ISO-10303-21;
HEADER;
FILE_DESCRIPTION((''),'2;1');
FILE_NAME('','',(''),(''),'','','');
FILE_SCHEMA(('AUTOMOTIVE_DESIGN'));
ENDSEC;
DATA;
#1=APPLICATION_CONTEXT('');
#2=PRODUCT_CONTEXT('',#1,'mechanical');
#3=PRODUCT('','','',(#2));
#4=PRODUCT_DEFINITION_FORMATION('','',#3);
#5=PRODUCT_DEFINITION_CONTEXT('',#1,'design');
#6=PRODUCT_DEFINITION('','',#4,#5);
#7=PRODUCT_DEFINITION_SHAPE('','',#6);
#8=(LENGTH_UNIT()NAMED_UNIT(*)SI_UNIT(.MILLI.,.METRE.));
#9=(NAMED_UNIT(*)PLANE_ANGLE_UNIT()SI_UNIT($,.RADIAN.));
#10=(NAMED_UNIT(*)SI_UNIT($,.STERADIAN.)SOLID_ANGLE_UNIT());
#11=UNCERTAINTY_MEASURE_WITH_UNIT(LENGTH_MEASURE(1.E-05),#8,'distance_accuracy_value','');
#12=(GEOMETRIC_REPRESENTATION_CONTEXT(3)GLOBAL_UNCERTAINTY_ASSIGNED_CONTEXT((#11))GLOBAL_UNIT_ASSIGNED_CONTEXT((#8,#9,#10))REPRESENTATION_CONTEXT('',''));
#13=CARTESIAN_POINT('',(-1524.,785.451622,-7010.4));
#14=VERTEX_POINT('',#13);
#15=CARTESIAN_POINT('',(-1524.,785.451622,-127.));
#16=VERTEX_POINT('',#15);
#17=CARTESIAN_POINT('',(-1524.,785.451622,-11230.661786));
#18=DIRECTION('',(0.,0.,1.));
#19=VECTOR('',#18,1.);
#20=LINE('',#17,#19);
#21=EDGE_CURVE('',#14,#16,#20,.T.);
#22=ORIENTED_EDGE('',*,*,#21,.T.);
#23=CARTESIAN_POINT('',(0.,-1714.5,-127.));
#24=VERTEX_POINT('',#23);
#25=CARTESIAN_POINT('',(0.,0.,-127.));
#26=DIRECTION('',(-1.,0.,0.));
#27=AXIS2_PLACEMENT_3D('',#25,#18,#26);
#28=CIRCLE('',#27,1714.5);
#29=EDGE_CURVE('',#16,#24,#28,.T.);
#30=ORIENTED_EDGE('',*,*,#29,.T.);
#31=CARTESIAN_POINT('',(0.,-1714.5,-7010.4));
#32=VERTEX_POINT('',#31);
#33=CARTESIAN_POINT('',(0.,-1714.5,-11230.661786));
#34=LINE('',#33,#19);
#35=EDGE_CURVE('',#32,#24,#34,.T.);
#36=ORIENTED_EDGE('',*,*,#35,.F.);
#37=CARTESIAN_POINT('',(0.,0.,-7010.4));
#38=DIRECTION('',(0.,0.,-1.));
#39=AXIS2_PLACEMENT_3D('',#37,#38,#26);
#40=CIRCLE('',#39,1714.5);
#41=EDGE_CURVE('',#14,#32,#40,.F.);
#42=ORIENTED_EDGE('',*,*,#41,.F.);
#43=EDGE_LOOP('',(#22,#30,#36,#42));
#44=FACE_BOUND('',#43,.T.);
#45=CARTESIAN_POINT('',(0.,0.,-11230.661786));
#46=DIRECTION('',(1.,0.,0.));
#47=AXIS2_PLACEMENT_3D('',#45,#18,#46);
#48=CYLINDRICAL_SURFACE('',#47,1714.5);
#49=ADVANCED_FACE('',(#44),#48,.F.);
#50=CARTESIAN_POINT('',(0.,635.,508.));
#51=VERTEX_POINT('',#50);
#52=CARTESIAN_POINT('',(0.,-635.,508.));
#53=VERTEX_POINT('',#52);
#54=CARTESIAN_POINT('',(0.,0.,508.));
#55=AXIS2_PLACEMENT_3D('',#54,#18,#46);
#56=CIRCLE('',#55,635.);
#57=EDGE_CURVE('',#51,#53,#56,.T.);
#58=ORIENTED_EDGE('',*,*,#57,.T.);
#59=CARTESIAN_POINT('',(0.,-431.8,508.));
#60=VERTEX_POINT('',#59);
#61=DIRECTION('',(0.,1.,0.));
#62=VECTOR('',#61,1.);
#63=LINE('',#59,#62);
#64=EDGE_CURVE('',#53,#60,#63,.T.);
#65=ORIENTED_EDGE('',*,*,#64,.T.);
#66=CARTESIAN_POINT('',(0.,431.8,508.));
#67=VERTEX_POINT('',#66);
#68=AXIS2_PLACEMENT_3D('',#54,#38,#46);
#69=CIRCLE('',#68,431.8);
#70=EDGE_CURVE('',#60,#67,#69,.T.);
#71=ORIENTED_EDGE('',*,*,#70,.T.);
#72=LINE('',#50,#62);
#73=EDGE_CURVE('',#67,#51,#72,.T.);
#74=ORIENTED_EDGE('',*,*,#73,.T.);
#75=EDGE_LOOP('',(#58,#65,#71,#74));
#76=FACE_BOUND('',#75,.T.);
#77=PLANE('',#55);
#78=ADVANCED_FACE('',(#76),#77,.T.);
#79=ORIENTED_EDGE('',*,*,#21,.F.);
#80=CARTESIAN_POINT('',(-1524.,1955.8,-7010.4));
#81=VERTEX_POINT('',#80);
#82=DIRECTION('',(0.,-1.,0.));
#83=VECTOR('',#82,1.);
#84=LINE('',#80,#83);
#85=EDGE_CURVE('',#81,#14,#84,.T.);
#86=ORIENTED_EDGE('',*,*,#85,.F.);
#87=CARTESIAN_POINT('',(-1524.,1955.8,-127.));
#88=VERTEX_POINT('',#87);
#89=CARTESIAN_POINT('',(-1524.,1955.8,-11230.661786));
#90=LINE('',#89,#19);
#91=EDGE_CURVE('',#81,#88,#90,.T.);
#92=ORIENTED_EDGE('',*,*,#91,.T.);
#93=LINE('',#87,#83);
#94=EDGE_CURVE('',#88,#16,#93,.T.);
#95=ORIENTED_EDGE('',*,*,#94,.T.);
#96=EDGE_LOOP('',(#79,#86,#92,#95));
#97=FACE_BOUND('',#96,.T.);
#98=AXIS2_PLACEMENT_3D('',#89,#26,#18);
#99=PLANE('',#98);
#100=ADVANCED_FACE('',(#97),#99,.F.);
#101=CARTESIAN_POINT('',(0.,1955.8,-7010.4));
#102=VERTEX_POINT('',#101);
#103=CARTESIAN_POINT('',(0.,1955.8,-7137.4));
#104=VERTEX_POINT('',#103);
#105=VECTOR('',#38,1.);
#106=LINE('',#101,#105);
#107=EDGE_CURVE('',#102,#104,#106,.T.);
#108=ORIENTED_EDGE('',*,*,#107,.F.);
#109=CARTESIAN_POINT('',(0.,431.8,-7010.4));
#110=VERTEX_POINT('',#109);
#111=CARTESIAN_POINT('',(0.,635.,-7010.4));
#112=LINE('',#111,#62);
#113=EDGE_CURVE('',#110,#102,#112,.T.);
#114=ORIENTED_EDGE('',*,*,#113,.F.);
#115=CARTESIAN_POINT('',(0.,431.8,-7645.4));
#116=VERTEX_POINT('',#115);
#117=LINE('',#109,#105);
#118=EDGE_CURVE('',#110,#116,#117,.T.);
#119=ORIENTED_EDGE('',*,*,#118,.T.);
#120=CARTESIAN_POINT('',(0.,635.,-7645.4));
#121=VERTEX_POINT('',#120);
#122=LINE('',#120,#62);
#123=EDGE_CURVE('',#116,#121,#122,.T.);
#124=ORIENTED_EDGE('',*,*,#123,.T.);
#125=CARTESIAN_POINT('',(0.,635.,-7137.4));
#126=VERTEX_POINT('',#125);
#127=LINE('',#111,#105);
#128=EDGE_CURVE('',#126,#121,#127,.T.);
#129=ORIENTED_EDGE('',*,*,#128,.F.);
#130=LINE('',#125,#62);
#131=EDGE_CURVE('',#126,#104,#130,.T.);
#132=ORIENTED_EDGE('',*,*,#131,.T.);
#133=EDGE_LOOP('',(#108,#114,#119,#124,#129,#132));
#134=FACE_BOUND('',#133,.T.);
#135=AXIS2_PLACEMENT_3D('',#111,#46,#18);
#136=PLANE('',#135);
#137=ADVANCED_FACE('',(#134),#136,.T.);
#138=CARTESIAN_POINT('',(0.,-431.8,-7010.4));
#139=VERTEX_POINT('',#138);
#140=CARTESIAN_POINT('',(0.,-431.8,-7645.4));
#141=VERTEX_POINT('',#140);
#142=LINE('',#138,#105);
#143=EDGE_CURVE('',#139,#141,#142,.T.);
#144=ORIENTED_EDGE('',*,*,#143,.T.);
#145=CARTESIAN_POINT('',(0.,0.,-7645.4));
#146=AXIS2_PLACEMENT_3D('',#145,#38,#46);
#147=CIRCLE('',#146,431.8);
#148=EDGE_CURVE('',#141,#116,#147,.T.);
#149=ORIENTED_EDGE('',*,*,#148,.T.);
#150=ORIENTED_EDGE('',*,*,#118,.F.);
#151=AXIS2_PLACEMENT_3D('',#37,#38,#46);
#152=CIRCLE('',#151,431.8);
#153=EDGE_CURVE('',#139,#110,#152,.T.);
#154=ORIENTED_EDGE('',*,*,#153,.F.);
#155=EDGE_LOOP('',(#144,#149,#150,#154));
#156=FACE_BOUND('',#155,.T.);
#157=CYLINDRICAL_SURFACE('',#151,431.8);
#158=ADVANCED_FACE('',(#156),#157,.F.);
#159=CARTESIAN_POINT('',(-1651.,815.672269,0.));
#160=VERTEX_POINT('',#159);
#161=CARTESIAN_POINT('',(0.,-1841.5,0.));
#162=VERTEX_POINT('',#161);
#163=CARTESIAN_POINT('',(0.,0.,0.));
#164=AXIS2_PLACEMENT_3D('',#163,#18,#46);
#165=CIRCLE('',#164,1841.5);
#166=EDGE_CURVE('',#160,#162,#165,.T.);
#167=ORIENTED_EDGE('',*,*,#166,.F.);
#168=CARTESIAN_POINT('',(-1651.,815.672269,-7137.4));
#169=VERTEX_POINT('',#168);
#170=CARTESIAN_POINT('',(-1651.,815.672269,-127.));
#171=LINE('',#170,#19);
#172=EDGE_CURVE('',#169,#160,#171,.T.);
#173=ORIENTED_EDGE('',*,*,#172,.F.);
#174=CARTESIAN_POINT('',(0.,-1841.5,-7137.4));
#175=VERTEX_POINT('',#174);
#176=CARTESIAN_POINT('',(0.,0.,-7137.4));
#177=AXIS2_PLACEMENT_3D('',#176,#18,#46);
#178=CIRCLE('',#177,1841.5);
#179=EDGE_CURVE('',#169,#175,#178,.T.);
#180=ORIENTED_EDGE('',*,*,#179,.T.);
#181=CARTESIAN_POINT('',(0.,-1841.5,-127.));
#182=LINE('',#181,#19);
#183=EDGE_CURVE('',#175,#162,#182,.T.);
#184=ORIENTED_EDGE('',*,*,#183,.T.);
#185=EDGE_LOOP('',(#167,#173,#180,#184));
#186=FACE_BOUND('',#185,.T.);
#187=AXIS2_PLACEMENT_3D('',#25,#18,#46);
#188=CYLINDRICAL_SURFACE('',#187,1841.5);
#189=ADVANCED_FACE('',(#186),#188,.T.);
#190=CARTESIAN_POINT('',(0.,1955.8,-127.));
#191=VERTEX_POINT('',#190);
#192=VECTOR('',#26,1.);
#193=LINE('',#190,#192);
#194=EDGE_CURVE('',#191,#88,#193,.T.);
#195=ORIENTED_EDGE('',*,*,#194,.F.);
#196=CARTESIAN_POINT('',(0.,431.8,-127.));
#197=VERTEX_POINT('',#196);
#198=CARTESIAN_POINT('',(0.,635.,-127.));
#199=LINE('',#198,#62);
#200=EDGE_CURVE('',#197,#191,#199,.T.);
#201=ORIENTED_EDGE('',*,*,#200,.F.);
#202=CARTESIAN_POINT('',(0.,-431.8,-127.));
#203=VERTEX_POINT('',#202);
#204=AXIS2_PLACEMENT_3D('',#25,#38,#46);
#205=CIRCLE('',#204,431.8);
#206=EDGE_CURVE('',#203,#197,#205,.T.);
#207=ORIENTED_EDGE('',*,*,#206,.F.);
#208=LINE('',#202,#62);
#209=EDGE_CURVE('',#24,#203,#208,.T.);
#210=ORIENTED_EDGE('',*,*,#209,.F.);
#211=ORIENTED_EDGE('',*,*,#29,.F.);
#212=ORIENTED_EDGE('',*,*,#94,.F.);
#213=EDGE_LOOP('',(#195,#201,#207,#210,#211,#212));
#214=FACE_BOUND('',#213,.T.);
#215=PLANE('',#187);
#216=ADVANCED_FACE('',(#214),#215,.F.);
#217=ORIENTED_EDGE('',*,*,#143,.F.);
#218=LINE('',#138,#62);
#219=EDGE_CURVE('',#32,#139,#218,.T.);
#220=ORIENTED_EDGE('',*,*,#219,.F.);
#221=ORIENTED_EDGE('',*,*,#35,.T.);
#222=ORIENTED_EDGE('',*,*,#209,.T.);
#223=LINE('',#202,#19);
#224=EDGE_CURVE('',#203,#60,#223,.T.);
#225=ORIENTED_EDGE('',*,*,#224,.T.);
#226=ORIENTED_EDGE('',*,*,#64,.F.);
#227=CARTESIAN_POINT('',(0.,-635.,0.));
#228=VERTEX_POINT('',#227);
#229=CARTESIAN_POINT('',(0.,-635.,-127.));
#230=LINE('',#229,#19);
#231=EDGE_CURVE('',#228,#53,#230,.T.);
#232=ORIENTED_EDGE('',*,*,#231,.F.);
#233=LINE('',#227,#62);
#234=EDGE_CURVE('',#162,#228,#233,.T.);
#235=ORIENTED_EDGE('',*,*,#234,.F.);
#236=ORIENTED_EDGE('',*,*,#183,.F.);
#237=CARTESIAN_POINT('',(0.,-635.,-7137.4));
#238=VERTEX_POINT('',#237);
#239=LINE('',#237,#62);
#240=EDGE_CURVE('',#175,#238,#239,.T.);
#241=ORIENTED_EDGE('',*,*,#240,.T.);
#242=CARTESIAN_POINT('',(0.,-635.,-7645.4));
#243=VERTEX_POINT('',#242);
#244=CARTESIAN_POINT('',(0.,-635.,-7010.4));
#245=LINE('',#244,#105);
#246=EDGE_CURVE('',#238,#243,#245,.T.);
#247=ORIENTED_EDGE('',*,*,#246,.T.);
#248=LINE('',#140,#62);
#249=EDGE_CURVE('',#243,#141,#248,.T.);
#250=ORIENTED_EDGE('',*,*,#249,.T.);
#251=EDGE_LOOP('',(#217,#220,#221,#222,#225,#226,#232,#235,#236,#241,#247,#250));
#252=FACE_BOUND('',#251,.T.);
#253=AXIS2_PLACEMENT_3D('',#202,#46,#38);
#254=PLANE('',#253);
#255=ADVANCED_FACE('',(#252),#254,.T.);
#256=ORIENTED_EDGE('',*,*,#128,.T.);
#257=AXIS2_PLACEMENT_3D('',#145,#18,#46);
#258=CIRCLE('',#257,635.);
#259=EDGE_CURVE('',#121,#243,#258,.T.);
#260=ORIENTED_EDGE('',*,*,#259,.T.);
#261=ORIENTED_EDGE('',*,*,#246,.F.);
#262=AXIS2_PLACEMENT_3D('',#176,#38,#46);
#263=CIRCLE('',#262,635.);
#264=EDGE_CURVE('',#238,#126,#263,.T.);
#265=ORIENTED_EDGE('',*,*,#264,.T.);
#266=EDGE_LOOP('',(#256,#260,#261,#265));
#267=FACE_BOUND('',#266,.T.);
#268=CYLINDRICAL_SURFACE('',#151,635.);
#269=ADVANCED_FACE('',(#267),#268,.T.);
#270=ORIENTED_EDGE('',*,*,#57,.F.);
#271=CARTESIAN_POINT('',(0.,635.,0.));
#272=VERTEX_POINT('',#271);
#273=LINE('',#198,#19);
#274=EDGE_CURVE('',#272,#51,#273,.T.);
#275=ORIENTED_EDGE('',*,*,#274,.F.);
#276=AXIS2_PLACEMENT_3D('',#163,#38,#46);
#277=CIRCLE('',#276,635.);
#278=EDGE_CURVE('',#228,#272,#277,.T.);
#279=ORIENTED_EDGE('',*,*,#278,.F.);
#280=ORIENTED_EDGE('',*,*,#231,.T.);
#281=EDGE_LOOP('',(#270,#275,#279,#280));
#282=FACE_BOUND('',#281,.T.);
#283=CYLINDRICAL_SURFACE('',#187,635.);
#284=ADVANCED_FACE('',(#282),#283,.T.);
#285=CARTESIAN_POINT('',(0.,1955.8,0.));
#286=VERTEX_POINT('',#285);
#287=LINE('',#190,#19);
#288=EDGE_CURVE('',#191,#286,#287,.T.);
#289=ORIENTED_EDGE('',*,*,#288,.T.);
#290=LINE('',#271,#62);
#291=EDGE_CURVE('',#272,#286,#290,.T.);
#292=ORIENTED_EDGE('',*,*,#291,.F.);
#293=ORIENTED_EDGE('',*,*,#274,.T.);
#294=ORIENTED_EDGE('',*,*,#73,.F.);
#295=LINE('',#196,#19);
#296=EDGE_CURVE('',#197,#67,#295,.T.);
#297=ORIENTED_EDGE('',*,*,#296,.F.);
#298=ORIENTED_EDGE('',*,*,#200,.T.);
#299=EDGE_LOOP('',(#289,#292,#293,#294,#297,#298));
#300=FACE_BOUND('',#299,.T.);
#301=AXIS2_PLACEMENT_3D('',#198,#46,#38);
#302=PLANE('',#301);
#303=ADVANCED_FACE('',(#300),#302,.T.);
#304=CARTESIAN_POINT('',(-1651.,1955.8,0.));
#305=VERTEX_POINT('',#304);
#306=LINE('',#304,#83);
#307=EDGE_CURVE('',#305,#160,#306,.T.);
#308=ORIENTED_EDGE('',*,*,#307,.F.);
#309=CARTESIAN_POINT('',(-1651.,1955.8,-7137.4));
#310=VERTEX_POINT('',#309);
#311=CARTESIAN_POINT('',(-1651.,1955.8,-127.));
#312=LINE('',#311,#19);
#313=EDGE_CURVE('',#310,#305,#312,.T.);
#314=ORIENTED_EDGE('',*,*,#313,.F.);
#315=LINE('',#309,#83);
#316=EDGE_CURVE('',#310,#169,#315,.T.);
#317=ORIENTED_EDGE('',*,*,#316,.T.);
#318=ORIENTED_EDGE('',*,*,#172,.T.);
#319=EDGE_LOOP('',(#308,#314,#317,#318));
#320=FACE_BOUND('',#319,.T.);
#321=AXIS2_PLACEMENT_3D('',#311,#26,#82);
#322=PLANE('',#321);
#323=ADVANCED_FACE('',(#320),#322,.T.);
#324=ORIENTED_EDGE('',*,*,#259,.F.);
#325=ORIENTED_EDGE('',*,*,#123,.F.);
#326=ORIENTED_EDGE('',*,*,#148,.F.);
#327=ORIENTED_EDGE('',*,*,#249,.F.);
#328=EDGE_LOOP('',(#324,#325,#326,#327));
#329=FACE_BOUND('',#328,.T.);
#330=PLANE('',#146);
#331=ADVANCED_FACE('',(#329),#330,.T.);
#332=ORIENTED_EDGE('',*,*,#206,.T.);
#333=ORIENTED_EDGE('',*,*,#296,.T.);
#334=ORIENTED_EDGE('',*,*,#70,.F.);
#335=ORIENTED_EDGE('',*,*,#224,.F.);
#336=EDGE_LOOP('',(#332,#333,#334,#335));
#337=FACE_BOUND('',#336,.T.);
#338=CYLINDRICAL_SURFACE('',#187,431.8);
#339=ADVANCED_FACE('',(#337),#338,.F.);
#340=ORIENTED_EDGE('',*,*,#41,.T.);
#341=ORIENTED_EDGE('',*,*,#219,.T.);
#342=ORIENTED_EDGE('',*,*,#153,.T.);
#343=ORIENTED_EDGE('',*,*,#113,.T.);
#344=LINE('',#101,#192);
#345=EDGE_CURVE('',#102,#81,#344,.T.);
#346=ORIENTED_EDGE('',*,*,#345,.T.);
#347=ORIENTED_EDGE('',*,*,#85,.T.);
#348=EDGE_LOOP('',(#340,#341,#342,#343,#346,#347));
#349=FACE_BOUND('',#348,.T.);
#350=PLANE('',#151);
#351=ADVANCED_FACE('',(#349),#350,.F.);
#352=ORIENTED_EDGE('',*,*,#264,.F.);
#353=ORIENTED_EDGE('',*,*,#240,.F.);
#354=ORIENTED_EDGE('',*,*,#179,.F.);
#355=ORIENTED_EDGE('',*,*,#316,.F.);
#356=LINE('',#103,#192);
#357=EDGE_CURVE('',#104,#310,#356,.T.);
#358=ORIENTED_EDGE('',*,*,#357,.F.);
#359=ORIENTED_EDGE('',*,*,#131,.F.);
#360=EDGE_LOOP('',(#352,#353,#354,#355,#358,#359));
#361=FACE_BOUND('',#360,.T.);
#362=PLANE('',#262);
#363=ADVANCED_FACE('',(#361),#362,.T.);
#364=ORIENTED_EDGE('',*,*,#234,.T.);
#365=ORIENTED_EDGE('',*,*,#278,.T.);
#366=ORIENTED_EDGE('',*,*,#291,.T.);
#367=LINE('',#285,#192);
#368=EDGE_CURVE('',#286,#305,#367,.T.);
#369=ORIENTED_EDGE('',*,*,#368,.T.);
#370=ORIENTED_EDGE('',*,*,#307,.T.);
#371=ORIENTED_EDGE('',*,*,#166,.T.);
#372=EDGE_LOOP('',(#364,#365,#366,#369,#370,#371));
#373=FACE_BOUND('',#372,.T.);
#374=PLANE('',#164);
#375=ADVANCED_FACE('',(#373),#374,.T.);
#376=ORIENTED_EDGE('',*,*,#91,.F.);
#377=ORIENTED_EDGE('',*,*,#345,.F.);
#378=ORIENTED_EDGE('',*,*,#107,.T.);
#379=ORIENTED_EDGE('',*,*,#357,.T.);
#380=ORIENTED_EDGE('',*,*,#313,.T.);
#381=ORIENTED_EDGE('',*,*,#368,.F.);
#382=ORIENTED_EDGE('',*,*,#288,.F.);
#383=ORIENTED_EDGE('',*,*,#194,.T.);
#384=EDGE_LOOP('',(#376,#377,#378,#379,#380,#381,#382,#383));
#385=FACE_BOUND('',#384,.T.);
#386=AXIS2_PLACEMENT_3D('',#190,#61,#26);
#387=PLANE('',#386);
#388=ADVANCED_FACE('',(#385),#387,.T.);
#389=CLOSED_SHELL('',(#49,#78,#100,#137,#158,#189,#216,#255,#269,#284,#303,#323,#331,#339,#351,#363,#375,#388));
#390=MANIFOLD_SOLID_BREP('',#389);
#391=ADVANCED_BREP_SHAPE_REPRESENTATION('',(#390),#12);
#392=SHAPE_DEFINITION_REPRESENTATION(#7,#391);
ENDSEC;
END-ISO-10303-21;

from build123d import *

# Parameters (mm, degrees)
BOSS_EXTRUDE1_DEPTH      = 508
BOSS_EXTRUDE1_DEPTH_BACK = 127
BOSS_EXTRUDE2_DEPTH      = 127
BOSS_EXTRUDE3_DEPTH      = 6883.4


with BuildPart() as part:
    # Sketch1 → Boss-Extrude1 (new body, two sides)
    with BuildSketch(Plane.XY) as boss_extrude1_sk:
        with BuildLine():
            Line((0, 635), (0, 431.8))
            ThreePointArc((0, 431.8), (-431.8, 0), (0, -431.8))
            Line((0, -431.8), (0, -635))
            ThreePointArc((0, -635), (-635, 0), (0, 635))
        make_face()
    extrude(amount=BOSS_EXTRUDE1_DEPTH)
    extrude(boss_extrude1_sk.sketch, amount=-BOSS_EXTRUDE1_DEPTH_BACK)

    # Sketch2 → Boss-Extrude2 (add)
    with BuildSketch(Plane.XY):
        with BuildLine():
            Line((0, 635), (0, 1955.8))
            Line((0, 1955.8), (-1651, 1955.8))
            Line((-1651, 1955.8), (-1651, 815.672268745))
            ThreePointArc((-1651, 815.672268745), (-1564.158357216, -971.869787344), (0, -1841.5))
            Line((0, -1841.5), (0, -635))
            ThreePointArc((0, -635), (-635, 0), (0, 635))
        make_face()
    extrude(amount=-BOSS_EXTRUDE2_DEPTH)


with BuildPart() as body_2:
    # Mirror1: mirrored copy
    add(part.part.mirror(Plane.XY.offset(-3568.7)))


with BuildPart() as part_1:
    add(part.part)

    add(body_2.part)  # Boss-Extrude3 merges body 2
    # Sketch3 → Boss-Extrude3 (add)
    with BuildSketch(Plane(origin=(0, 0, -127), x_dir=(-1, 0, 0), z_dir=(0, 0, -1))):
        with BuildLine():
            Line((1651, 1955.8), (1651, 815.672268745))
            ThreePointArc((1651, 815.672268745), (1564.158357216, -971.869787344), (0, -1841.5))
            Line((0, -1841.5), (0, -1714.5))
            ThreePointArc((0, -1714.5), (1463.92743252, -892.42743252), (1524, 785.45162168))
            Line((1524, 785.45162168), (1524, 1955.8))
            Line((1524, 1955.8), (1651, 1955.8))
        make_face()
    extrude(amount=BOSS_EXTRUDE3_DEPTH)


solid = part_1.part
